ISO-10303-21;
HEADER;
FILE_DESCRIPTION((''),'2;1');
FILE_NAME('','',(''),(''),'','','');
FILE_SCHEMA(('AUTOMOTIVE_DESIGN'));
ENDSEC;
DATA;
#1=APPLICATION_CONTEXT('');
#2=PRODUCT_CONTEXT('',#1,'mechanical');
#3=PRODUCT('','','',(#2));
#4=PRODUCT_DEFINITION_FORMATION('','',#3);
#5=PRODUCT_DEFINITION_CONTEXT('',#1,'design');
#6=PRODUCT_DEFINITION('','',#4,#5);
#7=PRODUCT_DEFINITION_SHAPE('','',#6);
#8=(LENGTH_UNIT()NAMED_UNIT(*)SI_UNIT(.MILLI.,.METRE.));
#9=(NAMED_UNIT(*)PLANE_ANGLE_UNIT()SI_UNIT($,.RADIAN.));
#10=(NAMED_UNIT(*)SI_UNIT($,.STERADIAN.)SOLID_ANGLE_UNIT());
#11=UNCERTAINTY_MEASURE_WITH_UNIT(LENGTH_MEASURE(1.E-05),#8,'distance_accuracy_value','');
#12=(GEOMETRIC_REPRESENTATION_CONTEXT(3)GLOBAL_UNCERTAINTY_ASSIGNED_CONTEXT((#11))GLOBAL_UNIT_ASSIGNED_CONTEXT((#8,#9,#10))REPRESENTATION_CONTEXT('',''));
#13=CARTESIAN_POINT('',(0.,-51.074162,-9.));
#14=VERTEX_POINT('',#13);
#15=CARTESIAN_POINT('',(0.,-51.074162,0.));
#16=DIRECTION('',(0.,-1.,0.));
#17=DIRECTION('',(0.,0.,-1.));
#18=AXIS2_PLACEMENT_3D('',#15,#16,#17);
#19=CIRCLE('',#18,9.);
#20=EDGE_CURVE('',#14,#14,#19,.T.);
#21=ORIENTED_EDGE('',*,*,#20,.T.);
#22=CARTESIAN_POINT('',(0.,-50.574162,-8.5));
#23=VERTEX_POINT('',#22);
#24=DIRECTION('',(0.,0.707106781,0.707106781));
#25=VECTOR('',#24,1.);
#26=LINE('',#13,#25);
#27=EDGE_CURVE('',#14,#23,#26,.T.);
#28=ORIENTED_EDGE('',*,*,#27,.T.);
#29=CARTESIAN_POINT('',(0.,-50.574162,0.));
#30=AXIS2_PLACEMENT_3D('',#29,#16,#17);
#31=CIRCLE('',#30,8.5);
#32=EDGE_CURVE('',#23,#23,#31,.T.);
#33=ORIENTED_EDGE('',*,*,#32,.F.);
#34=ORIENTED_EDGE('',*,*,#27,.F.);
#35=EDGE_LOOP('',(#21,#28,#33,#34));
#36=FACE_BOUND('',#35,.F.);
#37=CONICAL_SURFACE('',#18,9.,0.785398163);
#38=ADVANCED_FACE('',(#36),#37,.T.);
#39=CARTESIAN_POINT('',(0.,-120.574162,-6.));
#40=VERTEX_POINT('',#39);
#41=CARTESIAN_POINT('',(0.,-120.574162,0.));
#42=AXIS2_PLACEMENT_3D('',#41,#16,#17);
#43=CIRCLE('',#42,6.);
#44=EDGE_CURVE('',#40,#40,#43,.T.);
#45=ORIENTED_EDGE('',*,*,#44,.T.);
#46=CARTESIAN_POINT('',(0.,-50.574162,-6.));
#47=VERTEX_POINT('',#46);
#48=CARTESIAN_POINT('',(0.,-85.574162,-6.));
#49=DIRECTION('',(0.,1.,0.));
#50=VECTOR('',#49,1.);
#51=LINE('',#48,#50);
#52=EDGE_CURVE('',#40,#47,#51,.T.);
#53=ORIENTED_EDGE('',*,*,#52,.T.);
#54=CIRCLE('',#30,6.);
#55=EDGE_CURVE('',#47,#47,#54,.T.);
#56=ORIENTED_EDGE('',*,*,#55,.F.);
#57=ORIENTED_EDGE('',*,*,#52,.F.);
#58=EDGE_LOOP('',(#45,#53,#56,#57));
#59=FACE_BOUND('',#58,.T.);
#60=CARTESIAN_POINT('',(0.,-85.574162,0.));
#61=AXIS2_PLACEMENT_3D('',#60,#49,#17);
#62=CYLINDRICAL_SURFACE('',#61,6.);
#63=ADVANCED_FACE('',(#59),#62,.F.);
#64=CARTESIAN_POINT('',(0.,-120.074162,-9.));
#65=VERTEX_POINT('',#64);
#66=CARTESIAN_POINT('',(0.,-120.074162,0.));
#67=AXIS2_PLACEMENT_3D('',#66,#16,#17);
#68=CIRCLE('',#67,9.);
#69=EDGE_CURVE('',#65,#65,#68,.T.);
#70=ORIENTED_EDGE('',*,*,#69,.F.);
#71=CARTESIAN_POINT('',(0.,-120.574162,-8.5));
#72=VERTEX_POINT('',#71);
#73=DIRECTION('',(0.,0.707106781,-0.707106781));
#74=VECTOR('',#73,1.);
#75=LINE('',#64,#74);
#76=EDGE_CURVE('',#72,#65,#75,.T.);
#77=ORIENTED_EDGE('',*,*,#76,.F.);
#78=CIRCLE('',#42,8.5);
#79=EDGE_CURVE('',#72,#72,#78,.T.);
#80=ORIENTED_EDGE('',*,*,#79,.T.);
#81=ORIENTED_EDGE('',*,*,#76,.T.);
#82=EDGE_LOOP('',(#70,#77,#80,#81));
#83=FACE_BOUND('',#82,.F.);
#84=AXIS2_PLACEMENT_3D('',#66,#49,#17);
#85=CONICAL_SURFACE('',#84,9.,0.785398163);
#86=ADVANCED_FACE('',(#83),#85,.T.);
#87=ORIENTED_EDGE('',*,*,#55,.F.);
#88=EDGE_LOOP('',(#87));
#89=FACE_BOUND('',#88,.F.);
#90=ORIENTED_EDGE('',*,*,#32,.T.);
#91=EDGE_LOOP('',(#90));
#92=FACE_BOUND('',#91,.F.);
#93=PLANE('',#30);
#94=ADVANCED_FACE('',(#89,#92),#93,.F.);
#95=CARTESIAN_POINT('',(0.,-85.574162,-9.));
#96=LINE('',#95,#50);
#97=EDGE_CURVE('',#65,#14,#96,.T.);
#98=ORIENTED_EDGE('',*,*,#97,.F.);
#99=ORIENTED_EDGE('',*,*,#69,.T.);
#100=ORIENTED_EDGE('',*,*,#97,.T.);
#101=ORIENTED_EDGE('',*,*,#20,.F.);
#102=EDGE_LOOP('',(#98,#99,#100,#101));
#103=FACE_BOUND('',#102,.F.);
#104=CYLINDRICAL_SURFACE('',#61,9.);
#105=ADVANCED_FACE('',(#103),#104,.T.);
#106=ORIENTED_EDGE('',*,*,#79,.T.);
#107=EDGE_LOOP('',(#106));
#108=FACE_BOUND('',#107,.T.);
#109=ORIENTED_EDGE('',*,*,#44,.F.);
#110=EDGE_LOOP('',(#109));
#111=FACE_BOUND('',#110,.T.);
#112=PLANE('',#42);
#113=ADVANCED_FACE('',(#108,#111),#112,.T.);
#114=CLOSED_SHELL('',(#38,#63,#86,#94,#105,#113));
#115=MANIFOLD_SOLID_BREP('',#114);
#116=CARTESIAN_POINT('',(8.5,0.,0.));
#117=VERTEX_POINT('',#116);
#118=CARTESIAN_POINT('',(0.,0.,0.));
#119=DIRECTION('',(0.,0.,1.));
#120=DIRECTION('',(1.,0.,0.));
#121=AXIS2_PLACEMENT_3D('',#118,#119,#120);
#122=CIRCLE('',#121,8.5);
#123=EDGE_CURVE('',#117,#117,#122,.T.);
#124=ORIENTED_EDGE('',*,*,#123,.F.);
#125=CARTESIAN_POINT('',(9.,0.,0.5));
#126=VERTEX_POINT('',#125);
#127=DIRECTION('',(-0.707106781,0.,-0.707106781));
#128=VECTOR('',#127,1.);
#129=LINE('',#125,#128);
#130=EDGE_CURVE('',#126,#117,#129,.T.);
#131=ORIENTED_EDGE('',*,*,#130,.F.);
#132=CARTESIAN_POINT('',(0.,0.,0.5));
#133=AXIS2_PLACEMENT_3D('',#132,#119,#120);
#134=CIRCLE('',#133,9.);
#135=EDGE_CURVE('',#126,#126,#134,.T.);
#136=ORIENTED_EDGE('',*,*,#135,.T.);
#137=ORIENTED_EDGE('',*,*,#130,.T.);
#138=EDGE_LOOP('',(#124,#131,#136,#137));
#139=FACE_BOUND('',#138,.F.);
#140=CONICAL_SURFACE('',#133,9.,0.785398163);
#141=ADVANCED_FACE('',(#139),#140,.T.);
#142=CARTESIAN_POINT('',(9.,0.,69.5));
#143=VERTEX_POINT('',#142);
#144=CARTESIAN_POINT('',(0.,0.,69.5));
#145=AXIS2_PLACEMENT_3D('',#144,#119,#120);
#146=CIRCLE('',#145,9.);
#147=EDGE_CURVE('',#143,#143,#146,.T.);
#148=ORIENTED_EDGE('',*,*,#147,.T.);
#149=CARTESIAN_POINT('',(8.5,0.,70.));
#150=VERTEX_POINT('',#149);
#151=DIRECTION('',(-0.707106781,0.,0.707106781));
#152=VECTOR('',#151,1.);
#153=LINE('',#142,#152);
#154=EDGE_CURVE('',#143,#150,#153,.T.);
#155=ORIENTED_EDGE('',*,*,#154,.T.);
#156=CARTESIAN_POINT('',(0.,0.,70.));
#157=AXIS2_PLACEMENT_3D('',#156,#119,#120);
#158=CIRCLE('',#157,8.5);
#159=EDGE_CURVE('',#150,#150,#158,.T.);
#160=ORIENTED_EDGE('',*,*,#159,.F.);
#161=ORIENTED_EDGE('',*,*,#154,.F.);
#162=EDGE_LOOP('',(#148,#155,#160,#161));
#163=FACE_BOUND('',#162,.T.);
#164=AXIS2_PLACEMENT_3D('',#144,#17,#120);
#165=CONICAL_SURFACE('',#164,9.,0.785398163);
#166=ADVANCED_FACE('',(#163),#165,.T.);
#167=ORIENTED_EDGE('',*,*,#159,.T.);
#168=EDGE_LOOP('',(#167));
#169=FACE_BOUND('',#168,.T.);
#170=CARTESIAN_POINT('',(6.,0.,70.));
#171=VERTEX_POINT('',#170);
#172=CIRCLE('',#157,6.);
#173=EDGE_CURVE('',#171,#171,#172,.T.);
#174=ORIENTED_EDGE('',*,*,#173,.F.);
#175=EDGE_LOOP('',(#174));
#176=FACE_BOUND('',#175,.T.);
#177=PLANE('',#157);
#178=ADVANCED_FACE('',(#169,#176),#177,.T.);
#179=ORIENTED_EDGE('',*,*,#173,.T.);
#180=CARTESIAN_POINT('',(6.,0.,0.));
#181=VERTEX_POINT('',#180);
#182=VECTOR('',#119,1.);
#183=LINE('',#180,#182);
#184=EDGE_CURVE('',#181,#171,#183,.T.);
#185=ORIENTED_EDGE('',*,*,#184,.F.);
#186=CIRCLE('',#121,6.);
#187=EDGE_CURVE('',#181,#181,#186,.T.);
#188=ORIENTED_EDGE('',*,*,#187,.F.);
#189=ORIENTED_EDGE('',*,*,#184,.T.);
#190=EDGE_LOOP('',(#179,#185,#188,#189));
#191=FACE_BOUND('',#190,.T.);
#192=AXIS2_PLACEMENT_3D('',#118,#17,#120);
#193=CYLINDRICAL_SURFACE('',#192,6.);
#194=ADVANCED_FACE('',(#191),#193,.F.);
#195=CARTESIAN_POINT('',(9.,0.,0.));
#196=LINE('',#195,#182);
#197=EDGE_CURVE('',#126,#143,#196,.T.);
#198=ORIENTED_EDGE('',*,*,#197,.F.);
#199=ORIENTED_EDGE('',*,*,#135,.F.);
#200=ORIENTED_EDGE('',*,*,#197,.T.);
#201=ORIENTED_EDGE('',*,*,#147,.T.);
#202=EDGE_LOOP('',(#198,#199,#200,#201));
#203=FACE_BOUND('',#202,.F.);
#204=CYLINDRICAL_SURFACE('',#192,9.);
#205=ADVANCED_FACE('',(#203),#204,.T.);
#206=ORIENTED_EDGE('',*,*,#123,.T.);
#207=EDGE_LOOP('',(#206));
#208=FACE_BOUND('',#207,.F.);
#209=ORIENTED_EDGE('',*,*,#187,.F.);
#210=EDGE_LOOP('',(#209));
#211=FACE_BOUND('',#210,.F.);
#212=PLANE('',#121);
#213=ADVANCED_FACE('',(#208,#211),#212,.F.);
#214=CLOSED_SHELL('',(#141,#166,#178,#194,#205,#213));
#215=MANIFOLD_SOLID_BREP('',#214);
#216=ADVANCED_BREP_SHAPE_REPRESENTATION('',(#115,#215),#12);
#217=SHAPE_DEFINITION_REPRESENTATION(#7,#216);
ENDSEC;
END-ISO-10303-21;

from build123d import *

# Parameters (mm, degrees)
F2_R     = 9
F2_R_2   = 6
F3_DEPTH = 70
F4_SIZE  = 0.5
F5_W     = 70
F5_H     = 3
F7_SIZE  = 0.5


with BuildPart() as f3:
    # F2 (on Top) → F3 (new body)
    with BuildSketch(Plane.XY):
        Circle(F2_R)
        Circle(F2_R_2, mode=Mode.SUBTRACT)
    extrude(amount=F3_DEPTH)

    # F4
    f4_edges = [f3.edges().sort_by_distance(p)[0] for p in [
        (-9, 0, 70),
        (-9, 0, 0),
    ]]
    chamfer(f4_edges, length=F4_SIZE)


with BuildPart() as f6:
    # F5 (on Right) → F6 (revolve)
    with BuildSketch(Plane.YZ):
        with Locations((-85.5741620872, -7.5)):
            Rectangle(F5_W, F5_H)
    revolve(axis=Axis((0, -85.5741620872, 0), (0, -1, 0)))

    # F7
    f7_edges = [f6.edges().sort_by_distance(p)[0] for p in [
        (0, -120.574162, 9),
        (0, -50.574162, 9),
    ]]
    chamfer(f7_edges, length=F7_SIZE)


solid = Compound([f3.part, f6.part])
